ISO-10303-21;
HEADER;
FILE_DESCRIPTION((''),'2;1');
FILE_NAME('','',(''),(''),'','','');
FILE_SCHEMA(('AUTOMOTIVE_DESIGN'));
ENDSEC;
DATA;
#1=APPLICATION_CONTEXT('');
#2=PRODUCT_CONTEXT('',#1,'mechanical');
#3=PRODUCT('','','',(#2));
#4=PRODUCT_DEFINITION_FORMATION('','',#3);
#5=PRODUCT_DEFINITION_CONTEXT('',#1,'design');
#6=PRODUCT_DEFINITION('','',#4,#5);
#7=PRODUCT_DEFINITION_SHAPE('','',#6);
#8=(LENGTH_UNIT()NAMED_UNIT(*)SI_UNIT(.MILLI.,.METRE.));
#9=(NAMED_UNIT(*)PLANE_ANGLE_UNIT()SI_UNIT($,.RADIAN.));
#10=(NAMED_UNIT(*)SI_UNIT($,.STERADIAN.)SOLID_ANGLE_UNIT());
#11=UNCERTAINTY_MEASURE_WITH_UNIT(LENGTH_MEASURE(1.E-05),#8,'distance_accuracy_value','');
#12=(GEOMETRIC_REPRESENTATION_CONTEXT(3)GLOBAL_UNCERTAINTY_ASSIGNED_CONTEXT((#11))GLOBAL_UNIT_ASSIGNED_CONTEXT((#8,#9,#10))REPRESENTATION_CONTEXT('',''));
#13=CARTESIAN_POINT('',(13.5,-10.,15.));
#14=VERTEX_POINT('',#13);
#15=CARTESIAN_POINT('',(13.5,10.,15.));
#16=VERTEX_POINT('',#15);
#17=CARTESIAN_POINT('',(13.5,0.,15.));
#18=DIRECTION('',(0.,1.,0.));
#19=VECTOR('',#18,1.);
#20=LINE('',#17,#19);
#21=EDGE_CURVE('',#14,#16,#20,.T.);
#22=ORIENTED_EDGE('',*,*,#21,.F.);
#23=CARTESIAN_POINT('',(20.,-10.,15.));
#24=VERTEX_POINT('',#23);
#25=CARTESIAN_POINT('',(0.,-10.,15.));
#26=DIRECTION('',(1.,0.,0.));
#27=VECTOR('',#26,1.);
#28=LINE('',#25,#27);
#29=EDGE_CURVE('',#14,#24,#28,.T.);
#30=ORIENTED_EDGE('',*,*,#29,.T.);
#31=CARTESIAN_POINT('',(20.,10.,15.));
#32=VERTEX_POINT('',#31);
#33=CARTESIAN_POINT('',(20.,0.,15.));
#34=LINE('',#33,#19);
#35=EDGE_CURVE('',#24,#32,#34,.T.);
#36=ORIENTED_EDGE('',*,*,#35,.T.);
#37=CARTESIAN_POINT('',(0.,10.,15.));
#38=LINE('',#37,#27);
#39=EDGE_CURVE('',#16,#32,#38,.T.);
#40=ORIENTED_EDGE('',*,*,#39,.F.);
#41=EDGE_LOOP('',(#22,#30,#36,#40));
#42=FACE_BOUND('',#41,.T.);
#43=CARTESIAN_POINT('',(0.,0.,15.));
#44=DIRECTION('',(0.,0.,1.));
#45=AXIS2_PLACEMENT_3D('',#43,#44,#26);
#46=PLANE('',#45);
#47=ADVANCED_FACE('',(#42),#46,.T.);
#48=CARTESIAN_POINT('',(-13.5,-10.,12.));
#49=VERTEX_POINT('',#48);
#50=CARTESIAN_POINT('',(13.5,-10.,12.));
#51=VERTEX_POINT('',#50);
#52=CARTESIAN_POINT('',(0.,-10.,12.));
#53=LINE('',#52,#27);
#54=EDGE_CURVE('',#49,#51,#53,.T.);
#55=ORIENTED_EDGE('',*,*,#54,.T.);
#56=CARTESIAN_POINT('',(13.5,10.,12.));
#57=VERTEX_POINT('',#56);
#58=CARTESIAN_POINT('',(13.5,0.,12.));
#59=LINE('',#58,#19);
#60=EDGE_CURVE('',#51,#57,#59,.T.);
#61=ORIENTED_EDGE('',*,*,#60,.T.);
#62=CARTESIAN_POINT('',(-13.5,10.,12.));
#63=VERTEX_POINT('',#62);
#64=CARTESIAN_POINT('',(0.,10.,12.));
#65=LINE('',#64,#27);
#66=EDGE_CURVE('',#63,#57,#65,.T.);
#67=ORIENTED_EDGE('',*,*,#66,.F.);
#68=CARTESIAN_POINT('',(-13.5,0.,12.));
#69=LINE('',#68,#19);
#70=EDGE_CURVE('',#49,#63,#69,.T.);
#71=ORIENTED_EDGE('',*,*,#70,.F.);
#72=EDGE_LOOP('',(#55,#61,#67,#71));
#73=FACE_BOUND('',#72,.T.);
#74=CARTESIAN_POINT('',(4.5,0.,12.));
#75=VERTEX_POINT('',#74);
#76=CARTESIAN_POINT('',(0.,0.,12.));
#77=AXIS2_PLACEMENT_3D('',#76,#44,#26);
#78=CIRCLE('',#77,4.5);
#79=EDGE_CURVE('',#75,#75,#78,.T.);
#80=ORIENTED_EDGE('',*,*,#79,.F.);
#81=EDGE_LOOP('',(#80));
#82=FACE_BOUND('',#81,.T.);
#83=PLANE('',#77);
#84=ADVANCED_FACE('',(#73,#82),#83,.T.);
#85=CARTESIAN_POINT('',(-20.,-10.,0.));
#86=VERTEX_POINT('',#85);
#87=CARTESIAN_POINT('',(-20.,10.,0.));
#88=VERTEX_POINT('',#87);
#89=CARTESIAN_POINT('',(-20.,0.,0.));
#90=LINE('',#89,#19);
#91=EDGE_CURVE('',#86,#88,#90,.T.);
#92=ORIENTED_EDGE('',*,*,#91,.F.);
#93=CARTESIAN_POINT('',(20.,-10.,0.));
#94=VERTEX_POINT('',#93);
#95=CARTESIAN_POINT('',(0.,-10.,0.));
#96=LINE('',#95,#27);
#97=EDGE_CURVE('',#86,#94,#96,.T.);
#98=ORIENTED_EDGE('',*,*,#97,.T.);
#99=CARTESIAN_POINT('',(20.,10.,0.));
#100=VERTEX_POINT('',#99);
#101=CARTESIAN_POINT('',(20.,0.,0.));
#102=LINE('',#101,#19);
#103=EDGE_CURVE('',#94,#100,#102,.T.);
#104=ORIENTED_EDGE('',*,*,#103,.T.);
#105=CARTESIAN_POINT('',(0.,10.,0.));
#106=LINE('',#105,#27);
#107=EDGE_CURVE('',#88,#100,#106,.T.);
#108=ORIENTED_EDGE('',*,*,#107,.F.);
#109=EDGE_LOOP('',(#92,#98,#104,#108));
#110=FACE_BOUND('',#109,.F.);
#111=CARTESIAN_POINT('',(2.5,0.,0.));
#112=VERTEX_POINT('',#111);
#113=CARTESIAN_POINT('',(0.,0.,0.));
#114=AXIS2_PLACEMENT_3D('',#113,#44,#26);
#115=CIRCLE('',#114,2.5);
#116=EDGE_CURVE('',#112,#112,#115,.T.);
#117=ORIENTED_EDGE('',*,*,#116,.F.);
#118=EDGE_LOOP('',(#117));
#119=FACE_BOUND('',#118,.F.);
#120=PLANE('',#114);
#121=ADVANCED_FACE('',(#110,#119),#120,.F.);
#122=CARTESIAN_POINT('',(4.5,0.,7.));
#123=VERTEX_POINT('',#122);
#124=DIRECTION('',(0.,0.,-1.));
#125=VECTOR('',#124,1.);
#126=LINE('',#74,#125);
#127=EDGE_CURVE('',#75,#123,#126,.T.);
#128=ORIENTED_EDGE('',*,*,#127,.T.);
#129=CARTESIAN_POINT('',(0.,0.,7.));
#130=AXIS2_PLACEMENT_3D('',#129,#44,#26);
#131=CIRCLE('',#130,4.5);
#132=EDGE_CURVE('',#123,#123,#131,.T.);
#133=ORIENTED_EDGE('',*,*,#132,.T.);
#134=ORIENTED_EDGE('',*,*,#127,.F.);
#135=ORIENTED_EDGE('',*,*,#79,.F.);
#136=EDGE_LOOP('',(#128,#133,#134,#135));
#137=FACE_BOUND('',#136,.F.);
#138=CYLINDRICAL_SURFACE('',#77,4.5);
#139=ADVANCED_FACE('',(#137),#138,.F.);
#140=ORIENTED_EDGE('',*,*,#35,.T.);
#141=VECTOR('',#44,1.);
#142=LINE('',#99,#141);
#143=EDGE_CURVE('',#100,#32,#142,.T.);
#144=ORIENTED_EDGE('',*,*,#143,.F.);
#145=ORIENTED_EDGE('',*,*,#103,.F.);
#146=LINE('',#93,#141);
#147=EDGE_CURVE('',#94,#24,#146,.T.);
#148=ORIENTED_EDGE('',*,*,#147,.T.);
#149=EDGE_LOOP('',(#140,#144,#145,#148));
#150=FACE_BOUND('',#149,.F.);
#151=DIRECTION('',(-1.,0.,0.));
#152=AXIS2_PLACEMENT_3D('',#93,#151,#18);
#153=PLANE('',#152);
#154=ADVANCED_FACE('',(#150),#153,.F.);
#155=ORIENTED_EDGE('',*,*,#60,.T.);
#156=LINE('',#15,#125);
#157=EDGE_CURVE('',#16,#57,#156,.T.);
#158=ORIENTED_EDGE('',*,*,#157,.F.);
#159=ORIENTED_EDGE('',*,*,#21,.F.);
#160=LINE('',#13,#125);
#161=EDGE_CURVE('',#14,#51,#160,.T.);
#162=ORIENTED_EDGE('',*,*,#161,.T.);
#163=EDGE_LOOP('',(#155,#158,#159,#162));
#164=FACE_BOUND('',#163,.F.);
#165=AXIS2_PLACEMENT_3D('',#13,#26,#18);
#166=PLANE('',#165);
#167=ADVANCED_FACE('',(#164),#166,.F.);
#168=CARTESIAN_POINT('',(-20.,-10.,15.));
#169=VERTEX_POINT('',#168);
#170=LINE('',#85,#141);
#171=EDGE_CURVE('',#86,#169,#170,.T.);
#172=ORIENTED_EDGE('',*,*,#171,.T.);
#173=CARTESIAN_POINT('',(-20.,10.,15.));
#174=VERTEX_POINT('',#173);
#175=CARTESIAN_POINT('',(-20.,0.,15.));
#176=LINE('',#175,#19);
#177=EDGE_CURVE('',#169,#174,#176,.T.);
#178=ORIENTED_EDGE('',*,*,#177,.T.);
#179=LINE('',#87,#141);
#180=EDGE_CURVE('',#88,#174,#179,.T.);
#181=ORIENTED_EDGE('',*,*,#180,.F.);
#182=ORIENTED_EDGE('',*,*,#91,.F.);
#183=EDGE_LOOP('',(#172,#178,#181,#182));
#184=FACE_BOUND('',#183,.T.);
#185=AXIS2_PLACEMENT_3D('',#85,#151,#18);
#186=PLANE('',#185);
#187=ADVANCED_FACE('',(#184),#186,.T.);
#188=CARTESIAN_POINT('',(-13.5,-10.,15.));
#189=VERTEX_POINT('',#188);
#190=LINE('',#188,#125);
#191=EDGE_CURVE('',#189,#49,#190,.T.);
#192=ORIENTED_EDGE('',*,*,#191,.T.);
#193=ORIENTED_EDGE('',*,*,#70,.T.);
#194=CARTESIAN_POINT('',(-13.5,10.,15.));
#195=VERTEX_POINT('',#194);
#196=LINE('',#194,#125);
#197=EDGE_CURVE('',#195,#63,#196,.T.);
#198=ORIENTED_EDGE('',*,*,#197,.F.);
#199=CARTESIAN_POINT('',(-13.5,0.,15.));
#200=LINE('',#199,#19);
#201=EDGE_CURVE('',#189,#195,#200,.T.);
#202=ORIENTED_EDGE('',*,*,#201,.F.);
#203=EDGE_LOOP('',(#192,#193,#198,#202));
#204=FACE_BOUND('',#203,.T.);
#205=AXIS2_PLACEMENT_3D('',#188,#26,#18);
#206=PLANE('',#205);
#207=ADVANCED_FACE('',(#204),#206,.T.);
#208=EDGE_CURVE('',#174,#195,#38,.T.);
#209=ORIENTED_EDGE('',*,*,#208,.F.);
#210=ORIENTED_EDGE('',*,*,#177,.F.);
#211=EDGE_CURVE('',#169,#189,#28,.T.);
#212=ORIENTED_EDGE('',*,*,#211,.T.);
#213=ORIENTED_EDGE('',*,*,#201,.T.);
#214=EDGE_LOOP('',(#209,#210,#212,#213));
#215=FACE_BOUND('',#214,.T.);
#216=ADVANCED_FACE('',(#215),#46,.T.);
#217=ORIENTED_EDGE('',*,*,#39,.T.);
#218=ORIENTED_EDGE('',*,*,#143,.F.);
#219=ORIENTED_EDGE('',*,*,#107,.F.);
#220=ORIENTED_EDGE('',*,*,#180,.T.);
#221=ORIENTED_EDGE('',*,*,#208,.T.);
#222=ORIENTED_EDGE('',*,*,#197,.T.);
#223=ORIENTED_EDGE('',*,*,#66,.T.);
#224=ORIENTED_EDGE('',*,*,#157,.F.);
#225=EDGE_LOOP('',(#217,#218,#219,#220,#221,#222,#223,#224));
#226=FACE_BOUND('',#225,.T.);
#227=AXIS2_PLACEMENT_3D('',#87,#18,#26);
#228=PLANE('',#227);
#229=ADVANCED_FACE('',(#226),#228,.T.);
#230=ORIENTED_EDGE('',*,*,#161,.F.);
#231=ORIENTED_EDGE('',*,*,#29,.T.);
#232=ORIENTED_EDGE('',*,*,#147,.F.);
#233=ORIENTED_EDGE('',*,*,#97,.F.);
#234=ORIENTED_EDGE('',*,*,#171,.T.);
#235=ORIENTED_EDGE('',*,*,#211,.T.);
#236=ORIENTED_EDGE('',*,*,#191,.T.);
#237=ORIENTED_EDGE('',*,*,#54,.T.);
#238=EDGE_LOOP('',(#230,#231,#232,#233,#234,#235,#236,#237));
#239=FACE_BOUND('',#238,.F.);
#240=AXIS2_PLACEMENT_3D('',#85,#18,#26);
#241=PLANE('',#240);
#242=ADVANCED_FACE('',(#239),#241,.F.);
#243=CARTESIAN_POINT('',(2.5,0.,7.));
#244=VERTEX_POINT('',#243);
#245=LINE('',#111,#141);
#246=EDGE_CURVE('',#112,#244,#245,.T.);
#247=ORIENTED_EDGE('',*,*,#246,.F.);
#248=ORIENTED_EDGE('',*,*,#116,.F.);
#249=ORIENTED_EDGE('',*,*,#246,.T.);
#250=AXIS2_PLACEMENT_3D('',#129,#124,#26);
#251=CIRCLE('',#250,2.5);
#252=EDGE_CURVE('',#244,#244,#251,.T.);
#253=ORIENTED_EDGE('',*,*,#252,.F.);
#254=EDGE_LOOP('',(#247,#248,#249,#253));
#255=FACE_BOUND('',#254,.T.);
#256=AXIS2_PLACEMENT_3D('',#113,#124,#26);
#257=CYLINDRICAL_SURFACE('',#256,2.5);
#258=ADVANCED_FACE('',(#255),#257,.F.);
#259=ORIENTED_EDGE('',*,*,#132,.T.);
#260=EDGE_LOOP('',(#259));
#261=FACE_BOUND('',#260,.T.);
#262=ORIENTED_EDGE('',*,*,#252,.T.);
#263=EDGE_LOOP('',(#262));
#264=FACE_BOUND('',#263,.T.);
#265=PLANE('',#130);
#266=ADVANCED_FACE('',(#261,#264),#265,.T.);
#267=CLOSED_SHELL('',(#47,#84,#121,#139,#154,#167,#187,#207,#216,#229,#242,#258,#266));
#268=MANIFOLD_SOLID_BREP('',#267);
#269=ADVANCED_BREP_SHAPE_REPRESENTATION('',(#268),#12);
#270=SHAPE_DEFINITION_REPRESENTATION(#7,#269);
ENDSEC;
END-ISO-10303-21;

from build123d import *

# Parameters (mm, degrees)
F0_W     = 40
F0_H     = 20
F0_R     = 2.5
F1_DEPTH = 15
F2_W     = 27
F2_H     = 20
F2_R     = 2.5
F3_DEPTH = 3
F4_R     = 4.5
F5_DEPTH = 5


with BuildPart() as f1:
    # F0 (on Top) → F1 (new body)
    with BuildSketch(Plane.XY):
        Rectangle(F0_W, F0_H)
        Circle(F0_R, mode=Mode.SUBTRACT)
    extrude(amount=F1_DEPTH)

    # F2 (on face) → F3 (cut)
    with BuildSketch(Plane.XY.offset(15)):
        Rectangle(F2_W, F2_H)
        Circle(F2_R, mode=Mode.SUBTRACT)
    extrude(amount=-F3_DEPTH, mode=Mode.SUBTRACT)

    # F4 (on face) → F5 (cut)
    with BuildSketch(Plane.XY.offset(12)):
        Circle(F4_R)
    extrude(amount=-F5_DEPTH, mode=Mode.SUBTRACT)


solid = f1.part
